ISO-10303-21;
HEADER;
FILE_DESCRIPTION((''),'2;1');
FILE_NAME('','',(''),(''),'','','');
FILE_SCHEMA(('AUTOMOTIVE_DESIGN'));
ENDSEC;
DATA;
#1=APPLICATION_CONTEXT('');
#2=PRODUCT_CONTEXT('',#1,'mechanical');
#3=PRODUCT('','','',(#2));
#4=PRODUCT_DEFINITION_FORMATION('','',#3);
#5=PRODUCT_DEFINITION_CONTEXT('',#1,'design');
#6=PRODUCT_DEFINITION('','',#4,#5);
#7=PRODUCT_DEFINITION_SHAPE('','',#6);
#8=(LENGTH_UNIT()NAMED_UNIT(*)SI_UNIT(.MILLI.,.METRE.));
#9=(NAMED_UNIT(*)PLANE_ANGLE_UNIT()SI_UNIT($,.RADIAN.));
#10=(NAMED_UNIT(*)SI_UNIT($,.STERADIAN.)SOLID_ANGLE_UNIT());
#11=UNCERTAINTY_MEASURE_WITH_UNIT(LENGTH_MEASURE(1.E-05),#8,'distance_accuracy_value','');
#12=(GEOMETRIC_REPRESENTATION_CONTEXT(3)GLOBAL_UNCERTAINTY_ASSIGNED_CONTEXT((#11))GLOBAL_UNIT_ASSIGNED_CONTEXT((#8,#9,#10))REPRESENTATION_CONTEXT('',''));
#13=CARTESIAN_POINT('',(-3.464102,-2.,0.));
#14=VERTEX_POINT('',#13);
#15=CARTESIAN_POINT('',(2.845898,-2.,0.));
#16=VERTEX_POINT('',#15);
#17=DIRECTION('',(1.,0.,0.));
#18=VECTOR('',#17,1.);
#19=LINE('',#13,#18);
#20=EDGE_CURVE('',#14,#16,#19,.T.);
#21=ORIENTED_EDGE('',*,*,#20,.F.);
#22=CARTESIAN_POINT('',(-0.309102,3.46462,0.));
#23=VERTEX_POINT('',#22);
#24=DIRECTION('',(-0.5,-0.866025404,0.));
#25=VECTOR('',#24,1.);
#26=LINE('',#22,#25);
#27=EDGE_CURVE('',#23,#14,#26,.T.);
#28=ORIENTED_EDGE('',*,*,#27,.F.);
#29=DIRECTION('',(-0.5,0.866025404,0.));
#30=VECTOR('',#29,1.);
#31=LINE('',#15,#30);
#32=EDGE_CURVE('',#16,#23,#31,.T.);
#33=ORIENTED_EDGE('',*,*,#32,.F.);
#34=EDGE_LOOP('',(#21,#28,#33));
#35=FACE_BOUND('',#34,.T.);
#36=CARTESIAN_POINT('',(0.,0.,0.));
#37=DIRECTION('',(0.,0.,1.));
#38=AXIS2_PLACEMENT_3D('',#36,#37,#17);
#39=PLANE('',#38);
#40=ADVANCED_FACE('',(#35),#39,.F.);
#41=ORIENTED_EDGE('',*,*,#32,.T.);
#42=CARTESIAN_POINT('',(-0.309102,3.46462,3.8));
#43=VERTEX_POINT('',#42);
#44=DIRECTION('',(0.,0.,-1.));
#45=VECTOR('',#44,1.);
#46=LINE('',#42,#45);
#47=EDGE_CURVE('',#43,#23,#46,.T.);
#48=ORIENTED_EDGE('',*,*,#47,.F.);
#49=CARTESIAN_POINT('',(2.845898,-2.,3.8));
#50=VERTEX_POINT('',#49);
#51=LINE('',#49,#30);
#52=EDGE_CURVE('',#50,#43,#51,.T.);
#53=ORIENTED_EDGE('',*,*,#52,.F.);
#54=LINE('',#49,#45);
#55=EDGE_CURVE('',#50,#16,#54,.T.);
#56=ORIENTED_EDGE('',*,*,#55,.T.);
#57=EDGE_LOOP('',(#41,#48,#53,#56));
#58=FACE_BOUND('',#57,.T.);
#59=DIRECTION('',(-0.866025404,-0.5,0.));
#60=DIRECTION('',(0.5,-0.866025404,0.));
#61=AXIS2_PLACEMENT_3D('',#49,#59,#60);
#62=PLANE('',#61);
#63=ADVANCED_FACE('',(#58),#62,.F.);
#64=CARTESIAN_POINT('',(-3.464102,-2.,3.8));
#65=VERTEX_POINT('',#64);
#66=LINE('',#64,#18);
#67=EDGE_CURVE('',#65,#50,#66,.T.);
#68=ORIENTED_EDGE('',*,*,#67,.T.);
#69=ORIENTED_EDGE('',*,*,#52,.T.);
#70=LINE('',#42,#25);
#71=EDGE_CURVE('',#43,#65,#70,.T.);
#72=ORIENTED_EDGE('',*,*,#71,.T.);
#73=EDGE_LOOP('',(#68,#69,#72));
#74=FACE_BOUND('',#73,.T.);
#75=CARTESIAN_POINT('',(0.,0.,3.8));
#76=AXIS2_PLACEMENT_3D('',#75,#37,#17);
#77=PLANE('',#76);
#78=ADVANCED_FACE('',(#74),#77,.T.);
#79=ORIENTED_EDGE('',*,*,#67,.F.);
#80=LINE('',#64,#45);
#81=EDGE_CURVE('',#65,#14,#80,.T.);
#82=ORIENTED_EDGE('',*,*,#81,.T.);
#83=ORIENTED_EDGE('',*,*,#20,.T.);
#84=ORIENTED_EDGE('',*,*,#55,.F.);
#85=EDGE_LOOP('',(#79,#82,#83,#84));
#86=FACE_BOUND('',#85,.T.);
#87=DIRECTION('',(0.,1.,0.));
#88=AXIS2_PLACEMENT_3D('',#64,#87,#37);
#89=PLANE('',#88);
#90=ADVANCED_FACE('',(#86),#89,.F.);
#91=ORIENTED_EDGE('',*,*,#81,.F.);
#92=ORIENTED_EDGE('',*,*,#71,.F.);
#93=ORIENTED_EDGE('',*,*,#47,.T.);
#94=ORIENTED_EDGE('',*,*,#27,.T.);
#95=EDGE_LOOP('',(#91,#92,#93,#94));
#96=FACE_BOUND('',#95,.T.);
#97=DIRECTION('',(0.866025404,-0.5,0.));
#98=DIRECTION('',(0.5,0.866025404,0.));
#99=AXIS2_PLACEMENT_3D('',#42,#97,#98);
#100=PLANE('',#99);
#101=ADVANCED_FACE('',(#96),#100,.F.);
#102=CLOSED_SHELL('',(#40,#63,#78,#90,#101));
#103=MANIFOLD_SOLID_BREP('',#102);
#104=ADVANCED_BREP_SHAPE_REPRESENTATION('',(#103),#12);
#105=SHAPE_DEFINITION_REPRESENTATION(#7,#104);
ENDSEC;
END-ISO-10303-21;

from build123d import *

# Parameters (mm, degrees)
EXTRUDE_1_DEPTH = 3.8


with BuildPart() as part:
    # Эскиз1 → Бобышка-Вытянуть1 (new body)
    with BuildSketch(Plane.XY):
        Polygon((-0.309101615, 3.464620298), (-3.464101615, -2), (2.845898385, -2), align=None)
    extrude(amount=EXTRUDE_1_DEPTH)


solid = part.part
